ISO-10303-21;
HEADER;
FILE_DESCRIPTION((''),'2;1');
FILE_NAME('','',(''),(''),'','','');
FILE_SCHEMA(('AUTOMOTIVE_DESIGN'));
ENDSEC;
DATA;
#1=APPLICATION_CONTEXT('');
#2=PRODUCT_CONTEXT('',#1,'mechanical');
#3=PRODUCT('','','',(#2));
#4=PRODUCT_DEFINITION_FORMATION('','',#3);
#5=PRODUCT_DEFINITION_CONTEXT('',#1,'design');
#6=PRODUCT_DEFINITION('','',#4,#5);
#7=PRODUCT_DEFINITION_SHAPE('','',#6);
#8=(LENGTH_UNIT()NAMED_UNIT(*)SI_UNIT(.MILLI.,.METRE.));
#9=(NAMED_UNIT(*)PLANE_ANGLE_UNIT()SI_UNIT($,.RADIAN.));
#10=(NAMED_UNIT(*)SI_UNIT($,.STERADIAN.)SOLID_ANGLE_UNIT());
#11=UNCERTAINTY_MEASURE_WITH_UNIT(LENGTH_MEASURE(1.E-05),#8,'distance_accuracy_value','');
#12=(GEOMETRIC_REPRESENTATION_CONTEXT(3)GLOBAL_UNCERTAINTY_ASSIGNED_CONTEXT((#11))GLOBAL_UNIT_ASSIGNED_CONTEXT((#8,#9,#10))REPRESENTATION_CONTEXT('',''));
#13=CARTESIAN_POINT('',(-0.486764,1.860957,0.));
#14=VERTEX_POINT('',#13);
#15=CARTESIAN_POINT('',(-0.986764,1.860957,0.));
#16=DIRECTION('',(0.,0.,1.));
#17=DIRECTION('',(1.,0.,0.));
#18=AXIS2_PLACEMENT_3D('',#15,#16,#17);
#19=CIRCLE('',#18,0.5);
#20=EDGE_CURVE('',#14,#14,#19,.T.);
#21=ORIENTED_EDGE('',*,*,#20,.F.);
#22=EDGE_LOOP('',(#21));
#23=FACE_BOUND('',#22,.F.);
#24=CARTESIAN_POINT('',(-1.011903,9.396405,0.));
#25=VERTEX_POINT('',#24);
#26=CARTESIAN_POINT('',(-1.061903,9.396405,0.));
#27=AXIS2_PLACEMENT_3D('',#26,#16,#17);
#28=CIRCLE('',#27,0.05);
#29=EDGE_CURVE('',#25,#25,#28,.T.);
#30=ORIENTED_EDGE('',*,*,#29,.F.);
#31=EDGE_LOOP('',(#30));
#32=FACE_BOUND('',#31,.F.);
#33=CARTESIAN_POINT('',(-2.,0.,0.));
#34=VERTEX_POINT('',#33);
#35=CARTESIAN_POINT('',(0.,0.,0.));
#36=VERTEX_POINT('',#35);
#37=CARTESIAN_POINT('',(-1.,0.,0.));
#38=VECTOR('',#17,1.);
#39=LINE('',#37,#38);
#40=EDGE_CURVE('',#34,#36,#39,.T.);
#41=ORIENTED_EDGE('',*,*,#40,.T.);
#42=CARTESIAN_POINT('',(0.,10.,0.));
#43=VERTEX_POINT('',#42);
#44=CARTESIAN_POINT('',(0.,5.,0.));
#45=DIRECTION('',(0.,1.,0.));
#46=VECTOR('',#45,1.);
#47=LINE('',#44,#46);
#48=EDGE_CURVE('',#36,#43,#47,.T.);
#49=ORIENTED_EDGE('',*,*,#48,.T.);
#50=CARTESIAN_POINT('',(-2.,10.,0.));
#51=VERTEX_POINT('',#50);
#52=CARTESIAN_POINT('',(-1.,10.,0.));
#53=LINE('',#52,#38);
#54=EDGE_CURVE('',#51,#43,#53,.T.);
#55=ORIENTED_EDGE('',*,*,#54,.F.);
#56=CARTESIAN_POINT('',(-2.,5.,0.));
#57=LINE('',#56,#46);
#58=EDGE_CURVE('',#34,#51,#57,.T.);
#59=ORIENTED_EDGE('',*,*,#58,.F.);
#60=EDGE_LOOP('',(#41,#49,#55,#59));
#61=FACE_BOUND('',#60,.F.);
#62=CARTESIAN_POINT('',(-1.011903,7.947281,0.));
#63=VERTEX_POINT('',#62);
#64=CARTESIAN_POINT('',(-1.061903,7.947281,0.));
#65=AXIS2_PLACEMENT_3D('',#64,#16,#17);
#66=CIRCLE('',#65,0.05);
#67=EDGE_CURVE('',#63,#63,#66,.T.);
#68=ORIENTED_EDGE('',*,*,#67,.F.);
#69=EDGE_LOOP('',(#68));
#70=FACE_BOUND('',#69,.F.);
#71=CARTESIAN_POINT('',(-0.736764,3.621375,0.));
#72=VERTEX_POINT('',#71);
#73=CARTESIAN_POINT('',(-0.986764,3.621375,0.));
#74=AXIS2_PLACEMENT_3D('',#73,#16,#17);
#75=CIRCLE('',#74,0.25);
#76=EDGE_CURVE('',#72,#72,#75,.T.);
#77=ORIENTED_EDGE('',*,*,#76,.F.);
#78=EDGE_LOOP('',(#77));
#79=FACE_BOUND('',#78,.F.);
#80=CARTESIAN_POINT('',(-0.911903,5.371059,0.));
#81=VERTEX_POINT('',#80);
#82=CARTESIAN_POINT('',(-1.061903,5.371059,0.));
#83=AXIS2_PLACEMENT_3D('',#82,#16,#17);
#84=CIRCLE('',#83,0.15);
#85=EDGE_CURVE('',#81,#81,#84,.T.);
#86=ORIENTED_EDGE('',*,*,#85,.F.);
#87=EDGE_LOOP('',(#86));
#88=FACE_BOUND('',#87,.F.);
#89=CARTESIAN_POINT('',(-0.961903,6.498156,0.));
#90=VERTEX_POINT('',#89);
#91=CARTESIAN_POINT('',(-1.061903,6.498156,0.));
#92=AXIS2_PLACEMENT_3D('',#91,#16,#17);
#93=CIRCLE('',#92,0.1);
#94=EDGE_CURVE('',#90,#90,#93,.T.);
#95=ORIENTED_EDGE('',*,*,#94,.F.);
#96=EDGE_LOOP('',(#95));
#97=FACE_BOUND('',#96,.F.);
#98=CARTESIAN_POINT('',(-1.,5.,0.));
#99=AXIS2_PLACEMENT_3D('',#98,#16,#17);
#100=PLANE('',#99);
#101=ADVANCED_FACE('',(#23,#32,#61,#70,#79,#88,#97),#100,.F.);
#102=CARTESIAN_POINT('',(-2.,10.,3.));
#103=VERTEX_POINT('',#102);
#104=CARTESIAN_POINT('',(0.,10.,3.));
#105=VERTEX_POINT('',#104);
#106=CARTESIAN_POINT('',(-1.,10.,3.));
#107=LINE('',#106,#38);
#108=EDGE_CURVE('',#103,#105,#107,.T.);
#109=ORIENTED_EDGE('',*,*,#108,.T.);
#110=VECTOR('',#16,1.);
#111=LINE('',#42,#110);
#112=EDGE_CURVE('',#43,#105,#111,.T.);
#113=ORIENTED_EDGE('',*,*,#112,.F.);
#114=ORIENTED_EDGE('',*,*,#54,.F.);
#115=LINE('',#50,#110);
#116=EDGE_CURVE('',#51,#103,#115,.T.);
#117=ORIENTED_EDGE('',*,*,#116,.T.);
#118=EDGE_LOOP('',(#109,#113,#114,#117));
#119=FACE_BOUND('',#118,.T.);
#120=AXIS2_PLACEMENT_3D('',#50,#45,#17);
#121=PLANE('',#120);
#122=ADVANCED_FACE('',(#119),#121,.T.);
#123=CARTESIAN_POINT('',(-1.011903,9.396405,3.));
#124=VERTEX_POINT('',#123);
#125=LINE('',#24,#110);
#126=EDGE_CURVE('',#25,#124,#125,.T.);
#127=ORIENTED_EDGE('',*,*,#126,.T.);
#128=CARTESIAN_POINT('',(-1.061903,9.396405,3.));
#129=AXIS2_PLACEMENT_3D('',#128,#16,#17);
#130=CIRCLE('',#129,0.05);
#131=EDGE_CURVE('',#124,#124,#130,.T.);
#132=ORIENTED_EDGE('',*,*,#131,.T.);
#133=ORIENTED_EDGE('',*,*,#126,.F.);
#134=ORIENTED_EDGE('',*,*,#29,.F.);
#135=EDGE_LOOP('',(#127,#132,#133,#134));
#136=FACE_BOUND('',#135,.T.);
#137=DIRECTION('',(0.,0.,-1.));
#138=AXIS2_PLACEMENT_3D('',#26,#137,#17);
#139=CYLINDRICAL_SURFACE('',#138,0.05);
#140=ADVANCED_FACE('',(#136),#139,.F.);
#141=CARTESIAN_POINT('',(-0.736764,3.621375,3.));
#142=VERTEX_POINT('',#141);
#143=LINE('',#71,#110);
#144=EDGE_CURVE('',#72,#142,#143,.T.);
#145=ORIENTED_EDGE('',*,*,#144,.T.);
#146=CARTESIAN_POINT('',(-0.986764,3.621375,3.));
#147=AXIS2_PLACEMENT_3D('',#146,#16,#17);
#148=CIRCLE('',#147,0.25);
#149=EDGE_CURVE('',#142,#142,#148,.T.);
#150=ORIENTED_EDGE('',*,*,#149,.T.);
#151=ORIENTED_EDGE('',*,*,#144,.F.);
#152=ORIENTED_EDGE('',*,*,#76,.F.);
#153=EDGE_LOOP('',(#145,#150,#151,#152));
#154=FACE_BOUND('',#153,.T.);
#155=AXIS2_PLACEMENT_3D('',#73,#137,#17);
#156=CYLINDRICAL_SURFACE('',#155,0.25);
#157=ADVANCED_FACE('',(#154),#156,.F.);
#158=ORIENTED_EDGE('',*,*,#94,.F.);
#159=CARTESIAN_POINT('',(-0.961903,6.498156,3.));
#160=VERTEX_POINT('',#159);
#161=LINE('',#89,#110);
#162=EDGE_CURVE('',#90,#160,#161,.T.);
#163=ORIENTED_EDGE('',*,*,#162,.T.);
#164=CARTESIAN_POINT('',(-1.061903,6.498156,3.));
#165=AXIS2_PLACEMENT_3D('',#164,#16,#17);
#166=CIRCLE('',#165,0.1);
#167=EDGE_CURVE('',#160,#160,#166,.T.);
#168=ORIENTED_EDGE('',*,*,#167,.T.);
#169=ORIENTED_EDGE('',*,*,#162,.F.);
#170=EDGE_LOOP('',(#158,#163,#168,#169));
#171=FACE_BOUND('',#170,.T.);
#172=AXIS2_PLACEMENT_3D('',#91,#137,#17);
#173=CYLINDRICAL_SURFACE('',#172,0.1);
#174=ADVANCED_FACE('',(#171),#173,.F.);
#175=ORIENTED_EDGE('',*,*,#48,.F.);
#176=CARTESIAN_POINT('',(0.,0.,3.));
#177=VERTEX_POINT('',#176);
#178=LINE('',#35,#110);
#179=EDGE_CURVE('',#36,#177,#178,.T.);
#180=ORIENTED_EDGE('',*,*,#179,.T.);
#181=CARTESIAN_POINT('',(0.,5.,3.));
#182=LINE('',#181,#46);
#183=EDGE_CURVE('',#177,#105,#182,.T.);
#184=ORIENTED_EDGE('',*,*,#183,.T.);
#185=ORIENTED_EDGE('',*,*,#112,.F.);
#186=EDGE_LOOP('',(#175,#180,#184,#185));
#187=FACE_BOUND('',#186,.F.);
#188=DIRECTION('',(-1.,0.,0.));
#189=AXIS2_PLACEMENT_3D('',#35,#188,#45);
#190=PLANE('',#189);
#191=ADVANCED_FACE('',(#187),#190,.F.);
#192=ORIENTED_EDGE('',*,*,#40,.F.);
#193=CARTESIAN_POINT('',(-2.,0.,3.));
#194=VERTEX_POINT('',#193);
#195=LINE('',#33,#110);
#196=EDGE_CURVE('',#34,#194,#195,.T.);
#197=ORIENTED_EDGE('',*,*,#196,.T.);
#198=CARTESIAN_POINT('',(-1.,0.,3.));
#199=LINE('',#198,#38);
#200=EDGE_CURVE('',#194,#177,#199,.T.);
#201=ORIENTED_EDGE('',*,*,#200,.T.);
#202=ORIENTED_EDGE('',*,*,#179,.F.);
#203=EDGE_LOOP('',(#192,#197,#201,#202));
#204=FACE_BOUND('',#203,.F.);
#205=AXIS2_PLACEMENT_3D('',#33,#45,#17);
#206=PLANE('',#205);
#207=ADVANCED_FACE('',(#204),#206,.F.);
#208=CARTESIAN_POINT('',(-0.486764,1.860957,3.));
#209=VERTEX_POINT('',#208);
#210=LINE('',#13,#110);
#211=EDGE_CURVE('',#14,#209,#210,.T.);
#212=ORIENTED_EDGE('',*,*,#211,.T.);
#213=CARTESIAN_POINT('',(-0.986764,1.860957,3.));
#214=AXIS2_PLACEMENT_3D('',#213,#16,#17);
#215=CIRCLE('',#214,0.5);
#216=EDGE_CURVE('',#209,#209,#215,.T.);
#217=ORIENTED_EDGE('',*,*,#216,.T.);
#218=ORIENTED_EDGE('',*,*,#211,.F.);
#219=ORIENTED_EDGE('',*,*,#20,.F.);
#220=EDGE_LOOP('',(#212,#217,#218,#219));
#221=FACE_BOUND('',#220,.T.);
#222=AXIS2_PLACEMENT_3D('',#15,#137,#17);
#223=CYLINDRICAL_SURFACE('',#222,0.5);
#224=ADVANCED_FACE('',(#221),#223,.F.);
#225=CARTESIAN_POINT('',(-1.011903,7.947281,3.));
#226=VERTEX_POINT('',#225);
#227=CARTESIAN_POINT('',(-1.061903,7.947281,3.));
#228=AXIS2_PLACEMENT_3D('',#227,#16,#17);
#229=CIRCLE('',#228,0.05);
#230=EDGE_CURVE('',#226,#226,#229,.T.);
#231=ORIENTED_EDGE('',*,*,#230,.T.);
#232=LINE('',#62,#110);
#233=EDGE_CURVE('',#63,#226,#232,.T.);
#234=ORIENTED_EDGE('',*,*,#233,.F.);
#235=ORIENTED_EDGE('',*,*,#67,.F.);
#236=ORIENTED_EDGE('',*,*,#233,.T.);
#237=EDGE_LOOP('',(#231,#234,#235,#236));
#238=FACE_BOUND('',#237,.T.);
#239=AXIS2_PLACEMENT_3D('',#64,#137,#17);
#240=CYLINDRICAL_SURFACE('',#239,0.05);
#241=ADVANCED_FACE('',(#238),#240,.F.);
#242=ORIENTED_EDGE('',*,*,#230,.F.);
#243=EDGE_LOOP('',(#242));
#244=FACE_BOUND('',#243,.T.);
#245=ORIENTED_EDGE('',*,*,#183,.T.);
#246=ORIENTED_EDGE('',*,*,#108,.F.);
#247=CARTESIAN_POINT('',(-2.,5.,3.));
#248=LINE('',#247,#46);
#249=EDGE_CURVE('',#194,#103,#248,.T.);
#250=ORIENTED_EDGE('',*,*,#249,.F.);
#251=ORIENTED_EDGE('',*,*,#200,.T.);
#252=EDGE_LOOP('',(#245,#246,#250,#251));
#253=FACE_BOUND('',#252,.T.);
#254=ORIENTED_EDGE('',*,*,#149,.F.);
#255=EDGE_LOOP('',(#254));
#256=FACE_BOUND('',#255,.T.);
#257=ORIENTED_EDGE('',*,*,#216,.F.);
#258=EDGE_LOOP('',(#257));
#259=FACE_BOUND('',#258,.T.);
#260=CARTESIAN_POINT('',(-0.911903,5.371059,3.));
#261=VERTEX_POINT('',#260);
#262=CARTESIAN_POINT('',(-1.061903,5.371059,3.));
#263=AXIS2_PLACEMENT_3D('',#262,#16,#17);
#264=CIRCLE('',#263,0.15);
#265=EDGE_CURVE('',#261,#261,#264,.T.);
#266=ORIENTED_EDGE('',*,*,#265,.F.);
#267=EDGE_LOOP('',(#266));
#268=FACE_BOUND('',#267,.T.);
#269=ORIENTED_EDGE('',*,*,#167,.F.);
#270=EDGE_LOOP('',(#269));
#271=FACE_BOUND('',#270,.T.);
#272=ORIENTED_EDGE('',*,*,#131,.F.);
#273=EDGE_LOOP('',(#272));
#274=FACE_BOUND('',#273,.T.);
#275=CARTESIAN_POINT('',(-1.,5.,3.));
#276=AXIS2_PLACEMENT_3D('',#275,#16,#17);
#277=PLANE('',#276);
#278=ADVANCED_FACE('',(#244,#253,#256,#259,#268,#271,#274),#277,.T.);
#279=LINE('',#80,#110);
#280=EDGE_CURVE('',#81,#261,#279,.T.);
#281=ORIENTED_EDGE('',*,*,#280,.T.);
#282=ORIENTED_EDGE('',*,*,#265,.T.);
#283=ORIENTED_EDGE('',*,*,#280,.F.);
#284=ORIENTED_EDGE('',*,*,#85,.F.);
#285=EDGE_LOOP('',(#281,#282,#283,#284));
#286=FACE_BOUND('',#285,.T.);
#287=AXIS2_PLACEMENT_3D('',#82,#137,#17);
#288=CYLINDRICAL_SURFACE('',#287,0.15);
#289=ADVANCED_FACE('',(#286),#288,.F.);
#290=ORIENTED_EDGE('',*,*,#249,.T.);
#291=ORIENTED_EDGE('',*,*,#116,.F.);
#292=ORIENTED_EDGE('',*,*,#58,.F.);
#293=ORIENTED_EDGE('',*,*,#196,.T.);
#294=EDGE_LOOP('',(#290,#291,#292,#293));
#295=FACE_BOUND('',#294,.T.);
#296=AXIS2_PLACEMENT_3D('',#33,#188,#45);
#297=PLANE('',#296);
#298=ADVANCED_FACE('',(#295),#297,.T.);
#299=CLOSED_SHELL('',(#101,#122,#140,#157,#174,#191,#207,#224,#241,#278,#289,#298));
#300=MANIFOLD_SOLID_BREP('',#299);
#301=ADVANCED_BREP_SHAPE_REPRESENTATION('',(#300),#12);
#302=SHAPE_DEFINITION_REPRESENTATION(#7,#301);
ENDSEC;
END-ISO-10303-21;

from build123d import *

# Parameters (mm, degrees)
F0_W     = 2
F0_H     = 10
F0_R     = 0.5
F0_R_2   = 0.25
F0_R_3   = 0.15
F0_R_4   = 0.1
F0_R_5   = 0.05
F1_DEPTH = 3


with BuildPart() as f1:
    # F0 (on Top) → F1 (new body)
    with BuildSketch(Plane.XY):
        with Locations((-1, 5)):
            Rectangle(F0_W, F0_H)
        with Locations((-0.986764, 1.860957)):
            Circle(F0_R, mode=Mode.SUBTRACT)
        with Locations((-0.986764, 3.621375)):
            Circle(F0_R_2, mode=Mode.SUBTRACT)
        with Locations((-1.061903, 5.371059)):
            Circle(F0_R_3, mode=Mode.SUBTRACT)
        with Locations((-1.061903, 6.498156)):
            Circle(F0_R_4, mode=Mode.SUBTRACT)
        with Locations((-1.061903, 7.947281)):
            Circle(F0_R_5, mode=Mode.SUBTRACT)
        with Locations((-1.061903, 9.396405)):
            Circle(F0_R_5, mode=Mode.SUBTRACT)
    extrude(amount=F1_DEPTH)


solid = f1.part
